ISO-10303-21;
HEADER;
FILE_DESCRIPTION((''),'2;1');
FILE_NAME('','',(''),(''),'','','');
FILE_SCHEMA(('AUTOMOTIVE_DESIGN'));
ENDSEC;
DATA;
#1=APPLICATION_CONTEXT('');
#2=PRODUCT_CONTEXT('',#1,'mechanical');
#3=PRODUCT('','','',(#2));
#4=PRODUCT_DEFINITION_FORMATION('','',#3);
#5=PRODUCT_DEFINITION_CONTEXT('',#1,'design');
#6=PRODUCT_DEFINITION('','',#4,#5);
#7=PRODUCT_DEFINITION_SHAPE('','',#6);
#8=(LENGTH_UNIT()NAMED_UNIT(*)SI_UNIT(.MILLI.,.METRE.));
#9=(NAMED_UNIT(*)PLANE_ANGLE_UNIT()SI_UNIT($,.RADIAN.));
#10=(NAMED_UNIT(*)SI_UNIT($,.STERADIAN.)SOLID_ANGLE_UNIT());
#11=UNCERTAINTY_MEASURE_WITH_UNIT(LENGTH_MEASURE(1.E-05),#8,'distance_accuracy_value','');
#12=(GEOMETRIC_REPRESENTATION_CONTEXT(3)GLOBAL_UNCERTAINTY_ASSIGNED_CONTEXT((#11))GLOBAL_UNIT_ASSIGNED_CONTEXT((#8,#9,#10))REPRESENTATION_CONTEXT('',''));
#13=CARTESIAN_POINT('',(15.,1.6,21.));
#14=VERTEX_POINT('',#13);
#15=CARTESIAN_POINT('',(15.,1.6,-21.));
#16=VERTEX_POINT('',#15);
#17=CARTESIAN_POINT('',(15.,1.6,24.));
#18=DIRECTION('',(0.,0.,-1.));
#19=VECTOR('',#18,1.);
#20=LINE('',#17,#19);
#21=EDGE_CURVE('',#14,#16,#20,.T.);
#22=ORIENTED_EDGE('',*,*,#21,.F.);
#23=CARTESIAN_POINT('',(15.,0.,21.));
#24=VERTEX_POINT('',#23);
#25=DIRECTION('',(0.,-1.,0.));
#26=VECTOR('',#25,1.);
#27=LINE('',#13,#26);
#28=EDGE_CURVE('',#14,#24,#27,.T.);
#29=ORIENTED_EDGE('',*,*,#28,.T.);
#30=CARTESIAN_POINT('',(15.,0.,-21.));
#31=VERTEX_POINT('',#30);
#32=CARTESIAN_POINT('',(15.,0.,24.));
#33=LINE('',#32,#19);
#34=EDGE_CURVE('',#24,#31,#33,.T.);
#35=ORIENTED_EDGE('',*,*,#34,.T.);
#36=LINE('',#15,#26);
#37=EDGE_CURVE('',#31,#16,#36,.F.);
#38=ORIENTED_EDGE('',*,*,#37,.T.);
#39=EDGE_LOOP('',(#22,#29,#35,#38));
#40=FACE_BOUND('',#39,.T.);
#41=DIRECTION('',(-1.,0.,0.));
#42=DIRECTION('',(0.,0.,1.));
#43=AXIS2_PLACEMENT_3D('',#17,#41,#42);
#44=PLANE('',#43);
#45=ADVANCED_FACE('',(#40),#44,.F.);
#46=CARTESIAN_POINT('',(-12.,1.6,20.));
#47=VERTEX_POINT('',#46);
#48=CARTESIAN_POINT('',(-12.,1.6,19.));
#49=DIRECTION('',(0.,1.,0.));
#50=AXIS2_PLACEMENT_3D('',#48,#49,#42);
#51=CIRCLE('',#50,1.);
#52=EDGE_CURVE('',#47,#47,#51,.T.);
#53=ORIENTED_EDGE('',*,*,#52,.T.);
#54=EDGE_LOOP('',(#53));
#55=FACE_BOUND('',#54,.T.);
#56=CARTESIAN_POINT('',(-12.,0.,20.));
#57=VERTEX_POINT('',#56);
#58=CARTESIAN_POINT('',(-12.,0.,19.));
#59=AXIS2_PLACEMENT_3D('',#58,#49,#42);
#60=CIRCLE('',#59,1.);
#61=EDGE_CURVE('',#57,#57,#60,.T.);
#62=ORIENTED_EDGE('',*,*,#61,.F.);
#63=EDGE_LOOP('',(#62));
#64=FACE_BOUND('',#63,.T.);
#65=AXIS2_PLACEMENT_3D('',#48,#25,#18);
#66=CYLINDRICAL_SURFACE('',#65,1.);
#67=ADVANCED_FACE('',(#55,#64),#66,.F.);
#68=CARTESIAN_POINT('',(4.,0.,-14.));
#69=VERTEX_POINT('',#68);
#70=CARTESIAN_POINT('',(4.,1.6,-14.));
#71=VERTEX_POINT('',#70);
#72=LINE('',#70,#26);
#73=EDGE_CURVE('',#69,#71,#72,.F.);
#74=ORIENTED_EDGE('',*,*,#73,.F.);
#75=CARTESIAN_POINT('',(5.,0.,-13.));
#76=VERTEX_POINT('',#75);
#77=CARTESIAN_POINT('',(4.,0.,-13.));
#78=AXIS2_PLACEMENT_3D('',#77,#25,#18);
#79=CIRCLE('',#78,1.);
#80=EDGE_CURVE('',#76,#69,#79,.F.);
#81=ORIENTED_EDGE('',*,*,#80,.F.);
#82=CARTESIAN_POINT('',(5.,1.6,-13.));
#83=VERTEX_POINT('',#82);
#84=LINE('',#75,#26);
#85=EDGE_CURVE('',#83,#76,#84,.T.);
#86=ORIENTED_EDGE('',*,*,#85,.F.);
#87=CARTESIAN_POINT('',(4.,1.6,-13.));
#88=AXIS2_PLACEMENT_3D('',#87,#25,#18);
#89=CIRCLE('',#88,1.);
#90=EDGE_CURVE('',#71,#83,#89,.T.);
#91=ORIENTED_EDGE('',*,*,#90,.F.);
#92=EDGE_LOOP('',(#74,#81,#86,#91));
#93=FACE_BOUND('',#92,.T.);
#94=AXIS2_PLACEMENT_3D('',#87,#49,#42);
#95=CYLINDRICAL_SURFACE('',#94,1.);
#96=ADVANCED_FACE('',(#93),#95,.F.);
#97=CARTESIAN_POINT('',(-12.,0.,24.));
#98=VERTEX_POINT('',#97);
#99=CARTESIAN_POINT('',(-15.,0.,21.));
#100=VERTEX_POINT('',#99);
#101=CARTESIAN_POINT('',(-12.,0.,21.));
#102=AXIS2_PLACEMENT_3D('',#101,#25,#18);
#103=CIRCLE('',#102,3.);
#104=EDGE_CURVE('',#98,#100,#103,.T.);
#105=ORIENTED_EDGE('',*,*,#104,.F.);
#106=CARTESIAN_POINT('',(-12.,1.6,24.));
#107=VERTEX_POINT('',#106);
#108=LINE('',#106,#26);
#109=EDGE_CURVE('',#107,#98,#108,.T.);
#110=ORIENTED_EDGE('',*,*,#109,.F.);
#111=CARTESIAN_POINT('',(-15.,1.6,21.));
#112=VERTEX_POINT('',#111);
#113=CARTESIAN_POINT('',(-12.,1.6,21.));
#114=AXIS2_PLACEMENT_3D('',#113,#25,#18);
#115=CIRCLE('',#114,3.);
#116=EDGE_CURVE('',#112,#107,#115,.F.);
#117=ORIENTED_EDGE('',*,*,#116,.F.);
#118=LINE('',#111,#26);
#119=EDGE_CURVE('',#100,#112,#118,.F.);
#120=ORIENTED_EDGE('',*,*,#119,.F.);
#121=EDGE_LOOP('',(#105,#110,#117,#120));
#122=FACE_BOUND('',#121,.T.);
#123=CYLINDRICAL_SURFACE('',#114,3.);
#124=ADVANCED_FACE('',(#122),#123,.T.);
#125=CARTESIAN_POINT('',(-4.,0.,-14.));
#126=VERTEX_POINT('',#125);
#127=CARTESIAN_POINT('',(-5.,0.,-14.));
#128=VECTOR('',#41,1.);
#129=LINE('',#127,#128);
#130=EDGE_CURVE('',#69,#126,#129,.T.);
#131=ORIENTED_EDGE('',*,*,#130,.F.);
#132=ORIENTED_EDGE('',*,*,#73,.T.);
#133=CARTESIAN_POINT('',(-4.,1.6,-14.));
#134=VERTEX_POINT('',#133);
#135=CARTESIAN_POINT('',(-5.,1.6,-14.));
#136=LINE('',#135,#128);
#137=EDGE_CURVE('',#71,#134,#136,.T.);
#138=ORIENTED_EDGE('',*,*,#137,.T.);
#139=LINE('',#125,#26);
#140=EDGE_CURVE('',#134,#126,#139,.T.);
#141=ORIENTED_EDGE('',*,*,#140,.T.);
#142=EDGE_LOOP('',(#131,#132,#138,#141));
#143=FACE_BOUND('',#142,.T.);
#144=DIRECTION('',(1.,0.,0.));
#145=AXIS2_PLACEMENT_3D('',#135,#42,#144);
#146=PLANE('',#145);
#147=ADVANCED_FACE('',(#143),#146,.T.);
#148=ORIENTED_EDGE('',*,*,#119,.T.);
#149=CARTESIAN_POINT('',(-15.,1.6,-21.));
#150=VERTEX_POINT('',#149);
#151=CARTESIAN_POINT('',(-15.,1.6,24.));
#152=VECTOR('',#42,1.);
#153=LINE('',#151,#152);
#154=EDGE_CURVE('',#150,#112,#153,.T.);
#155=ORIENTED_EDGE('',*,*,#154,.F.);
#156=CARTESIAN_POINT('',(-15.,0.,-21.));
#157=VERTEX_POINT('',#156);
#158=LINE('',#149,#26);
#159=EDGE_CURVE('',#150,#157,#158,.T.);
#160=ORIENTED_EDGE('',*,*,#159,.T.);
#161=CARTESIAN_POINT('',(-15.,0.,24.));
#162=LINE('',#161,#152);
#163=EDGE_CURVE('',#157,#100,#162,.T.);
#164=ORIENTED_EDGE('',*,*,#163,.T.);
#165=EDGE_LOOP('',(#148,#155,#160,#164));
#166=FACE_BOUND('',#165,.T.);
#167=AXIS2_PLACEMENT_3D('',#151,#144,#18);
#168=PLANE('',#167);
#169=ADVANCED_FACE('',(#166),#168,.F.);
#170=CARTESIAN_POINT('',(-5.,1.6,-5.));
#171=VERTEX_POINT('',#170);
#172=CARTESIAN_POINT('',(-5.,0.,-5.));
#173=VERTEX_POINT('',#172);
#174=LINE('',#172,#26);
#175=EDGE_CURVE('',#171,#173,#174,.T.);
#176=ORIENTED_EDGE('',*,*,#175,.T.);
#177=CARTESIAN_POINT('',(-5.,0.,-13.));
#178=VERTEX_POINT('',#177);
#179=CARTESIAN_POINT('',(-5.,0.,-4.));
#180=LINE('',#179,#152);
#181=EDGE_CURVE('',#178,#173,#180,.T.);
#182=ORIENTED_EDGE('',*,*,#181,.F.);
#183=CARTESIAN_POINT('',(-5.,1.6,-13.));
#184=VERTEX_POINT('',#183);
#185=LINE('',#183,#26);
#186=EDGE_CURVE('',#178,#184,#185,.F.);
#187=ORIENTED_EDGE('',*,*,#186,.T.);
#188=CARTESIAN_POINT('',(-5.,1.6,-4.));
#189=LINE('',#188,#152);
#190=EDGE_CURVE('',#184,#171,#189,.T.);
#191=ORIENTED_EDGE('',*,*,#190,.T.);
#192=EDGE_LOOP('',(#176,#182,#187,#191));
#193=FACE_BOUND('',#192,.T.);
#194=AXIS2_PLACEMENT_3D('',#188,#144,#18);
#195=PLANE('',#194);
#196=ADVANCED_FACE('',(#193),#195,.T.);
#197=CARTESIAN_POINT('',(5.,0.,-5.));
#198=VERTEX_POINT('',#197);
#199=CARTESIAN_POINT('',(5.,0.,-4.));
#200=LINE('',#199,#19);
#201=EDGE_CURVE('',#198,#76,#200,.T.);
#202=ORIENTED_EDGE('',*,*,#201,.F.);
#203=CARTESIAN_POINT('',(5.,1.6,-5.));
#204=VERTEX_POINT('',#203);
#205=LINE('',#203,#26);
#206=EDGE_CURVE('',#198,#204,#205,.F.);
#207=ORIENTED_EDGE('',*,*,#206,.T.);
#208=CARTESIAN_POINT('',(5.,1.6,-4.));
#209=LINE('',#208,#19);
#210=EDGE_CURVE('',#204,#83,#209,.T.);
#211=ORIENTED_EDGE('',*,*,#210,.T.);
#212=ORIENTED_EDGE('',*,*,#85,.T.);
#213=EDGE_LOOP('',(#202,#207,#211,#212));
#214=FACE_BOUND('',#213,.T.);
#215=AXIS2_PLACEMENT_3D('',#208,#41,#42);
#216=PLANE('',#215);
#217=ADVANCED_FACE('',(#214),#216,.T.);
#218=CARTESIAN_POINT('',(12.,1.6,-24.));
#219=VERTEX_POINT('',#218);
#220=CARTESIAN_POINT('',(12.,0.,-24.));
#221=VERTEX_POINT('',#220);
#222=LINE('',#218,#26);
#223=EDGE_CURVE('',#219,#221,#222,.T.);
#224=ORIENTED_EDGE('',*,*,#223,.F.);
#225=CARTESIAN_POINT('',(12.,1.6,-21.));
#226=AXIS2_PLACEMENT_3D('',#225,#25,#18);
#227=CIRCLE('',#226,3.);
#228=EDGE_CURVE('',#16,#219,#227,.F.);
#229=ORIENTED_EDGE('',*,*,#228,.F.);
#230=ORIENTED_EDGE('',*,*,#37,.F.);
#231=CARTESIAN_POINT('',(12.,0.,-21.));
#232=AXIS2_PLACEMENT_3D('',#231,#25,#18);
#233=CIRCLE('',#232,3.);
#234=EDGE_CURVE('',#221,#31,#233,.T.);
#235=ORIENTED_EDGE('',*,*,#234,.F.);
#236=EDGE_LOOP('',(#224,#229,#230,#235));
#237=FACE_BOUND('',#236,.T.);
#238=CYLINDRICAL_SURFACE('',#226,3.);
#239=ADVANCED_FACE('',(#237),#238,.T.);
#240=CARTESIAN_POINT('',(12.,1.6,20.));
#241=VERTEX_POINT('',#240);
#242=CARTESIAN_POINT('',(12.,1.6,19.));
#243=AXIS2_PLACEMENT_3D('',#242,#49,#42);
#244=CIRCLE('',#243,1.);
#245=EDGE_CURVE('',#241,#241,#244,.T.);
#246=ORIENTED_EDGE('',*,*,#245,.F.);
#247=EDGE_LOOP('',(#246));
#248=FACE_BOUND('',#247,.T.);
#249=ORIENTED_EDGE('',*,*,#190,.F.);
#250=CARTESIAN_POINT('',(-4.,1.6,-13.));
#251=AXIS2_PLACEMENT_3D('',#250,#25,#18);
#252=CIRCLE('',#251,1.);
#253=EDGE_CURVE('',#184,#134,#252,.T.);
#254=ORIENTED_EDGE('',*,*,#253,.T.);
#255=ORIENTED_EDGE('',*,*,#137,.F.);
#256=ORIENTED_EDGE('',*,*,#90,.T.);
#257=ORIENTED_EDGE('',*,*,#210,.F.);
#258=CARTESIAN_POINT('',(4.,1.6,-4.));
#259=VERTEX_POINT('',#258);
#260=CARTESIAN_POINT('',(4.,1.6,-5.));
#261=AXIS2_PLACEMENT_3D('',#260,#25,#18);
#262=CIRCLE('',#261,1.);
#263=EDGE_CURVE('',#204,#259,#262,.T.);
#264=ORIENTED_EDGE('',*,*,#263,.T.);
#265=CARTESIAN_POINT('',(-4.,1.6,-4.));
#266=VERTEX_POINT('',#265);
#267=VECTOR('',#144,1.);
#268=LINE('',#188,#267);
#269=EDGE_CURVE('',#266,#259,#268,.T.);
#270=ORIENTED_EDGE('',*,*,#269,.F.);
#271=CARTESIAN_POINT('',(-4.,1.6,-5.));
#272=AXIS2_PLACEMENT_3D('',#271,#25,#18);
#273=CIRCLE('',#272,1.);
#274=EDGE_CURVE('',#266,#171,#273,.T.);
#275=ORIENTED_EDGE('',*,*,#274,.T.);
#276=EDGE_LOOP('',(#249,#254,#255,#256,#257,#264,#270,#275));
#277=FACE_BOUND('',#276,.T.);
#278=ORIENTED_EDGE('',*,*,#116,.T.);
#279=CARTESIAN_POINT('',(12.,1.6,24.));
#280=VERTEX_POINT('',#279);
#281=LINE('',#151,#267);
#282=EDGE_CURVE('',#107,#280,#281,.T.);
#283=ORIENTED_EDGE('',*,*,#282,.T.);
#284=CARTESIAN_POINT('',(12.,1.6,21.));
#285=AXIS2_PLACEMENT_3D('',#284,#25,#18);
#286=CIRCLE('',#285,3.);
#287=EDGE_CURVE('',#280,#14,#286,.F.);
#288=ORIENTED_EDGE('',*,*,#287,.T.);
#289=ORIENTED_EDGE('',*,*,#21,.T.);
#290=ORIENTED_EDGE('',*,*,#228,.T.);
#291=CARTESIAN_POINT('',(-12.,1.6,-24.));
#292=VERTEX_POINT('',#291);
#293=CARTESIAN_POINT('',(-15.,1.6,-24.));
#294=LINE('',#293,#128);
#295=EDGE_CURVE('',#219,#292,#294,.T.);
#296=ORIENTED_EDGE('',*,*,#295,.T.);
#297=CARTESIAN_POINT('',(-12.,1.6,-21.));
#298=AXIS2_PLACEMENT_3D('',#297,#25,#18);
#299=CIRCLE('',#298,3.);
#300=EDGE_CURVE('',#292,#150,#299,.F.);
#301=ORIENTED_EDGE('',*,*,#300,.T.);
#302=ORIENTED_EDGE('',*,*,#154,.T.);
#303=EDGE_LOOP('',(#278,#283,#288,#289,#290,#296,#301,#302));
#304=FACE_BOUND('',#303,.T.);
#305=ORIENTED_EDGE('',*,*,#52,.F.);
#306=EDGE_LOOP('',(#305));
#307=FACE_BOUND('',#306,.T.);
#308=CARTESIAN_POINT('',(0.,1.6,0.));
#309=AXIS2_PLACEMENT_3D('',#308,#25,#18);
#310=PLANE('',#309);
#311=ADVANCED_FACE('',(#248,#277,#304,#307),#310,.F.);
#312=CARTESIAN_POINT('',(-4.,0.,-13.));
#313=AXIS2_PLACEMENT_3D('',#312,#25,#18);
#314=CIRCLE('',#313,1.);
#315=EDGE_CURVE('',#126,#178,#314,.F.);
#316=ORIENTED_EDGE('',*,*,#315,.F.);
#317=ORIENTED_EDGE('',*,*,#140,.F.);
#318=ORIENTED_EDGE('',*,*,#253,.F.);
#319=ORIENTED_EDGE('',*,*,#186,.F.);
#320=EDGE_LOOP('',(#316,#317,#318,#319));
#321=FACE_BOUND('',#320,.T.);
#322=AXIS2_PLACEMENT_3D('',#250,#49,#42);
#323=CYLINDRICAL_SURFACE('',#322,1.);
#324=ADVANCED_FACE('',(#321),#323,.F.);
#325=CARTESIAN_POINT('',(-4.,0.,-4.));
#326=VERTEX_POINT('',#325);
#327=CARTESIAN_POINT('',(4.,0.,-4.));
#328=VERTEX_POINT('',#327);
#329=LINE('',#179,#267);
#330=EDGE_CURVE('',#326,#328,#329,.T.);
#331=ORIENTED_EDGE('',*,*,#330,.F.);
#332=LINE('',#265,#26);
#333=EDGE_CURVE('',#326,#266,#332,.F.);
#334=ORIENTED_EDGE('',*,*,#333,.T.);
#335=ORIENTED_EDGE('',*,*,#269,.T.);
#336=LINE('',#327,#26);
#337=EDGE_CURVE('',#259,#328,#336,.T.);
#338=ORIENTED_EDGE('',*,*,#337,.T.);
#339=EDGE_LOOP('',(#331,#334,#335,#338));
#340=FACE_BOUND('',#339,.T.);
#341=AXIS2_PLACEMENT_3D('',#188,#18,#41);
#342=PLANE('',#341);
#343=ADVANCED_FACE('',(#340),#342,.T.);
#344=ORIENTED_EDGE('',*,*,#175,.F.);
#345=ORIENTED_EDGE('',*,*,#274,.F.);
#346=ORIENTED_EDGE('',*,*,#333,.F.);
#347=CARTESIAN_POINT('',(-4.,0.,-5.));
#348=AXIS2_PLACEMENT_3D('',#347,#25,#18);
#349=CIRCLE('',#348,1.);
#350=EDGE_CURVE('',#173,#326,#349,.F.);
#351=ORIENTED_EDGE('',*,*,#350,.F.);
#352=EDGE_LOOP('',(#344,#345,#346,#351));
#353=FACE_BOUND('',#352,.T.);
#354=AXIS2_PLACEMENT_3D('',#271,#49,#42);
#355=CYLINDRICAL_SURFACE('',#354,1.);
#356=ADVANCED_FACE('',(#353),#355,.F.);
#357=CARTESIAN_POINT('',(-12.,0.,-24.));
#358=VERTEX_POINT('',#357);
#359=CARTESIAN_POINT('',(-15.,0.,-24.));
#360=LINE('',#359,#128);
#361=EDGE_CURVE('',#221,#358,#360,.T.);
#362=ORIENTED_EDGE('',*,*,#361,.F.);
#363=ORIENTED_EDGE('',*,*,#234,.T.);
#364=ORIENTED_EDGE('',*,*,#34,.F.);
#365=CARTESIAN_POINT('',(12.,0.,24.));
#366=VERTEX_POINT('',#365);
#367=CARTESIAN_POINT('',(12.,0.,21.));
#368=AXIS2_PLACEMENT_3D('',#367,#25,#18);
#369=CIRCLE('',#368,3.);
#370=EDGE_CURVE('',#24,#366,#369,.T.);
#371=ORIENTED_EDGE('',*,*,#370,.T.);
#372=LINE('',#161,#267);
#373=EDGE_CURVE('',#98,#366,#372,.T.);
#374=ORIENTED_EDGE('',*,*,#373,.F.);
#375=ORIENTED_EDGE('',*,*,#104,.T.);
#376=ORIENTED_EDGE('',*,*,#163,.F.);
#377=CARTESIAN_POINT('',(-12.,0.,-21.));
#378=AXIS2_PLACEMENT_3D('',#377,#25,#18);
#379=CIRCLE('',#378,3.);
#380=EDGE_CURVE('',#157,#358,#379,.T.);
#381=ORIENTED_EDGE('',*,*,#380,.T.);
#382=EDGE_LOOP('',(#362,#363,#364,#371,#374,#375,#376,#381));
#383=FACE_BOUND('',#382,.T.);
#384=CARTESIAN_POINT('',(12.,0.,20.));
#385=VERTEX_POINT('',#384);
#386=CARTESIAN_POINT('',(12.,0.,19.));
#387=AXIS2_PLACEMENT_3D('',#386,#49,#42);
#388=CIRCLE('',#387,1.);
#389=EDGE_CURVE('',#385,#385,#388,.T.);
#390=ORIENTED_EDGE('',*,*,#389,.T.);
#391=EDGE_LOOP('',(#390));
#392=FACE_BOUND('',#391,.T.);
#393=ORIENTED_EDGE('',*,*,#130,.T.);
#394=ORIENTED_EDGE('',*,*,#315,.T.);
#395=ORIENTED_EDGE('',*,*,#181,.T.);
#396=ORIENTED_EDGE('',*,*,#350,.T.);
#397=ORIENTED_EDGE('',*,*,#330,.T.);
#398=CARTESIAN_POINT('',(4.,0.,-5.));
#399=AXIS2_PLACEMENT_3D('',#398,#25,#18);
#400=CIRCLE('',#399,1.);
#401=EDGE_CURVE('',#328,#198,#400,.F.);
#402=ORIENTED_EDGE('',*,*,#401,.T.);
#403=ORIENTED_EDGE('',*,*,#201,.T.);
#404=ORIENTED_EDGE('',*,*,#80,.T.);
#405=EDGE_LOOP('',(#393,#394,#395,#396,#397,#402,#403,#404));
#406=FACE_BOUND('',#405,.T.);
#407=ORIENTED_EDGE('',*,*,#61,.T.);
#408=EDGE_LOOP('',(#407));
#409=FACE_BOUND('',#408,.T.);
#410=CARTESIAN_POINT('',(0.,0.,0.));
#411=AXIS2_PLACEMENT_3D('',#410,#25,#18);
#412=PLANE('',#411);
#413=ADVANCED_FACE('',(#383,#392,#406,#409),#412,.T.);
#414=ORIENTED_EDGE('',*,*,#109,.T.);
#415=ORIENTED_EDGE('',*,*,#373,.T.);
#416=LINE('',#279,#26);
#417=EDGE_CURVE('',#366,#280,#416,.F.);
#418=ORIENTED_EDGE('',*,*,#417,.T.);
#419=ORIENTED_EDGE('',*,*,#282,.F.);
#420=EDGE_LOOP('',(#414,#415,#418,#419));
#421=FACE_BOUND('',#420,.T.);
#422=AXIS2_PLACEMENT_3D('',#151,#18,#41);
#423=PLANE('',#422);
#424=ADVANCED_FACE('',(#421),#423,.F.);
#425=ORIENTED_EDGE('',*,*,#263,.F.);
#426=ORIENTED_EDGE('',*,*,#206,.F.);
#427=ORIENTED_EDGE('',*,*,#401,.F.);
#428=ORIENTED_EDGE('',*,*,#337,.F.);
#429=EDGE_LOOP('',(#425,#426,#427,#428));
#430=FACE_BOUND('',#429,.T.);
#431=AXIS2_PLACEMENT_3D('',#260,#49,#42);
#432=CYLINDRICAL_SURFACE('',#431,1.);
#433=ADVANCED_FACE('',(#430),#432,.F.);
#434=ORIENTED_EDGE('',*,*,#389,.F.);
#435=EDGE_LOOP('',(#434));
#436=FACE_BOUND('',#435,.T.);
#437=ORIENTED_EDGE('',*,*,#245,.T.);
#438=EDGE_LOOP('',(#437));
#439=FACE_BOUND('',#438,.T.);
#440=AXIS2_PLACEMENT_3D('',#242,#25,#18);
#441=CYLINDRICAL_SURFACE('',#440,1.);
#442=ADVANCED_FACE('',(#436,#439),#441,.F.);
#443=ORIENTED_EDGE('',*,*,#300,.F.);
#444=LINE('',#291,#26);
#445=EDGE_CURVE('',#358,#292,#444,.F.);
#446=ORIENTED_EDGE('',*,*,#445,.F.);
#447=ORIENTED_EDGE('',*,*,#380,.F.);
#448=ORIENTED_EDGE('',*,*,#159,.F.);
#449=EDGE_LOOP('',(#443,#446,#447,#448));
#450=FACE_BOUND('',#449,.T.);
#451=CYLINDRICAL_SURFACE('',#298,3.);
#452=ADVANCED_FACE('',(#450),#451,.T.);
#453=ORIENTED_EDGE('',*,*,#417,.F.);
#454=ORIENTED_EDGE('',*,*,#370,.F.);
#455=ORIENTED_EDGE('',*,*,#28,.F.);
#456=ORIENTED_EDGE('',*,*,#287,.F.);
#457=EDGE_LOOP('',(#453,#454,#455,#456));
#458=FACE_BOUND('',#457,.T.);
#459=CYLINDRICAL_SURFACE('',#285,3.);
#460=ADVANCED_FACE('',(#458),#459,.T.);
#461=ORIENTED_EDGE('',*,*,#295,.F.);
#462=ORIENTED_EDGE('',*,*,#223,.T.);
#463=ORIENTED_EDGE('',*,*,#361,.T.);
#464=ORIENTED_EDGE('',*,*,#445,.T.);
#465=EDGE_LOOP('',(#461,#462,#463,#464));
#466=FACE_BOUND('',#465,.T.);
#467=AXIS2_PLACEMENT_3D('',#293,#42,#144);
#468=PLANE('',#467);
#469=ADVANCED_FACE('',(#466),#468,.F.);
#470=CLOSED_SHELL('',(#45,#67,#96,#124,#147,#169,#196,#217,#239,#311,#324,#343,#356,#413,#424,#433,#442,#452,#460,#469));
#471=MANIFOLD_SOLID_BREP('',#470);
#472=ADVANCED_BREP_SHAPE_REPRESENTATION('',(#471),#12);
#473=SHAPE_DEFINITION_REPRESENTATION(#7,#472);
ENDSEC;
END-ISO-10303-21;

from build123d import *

# Parameters (mm, degrees)
SKETCH_1_W      = 30
SKETCH_1_H      = 48
SKETCH_1_R      = 1
SKETCH_1_W_2    = 10
SKETCH_1_H_2    = 10
EXTRUDE_1_DEPTH = 1.6
FILLET_1_R      = 3
FILLET_2_R      = 1


with BuildPart() as part:
    # 草图1 → 凸台-拉伸1 (new body)
    with BuildSketch(Plane(origin=(0, 0, 0), x_dir=(1, 0, 0), z_dir=(0, 1, 0))):
        Rectangle(SKETCH_1_W, SKETCH_1_H)
        with Locations(Location((-12, -19, 0), (0, 0, 270))):
            Circle(SKETCH_1_R, mode=Mode.SUBTRACT)
        with Locations(Location((12, -19, 0), (0, 0, 270))):
            Circle(SKETCH_1_R, mode=Mode.SUBTRACT)
        with Locations((0, 9)):
            Rectangle(SKETCH_1_W_2, SKETCH_1_H_2, mode=Mode.SUBTRACT)
    extrude(amount=EXTRUDE_1_DEPTH)

    # 圆角1
    fillet_1_edges = [part.edges().sort_by_distance(p)[0] for p in [
        (15, 0.8, 24),
        (-15, 0.8, 24),
        (-15, 0.8, -24),
        (15, 0.8, -24),
    ]]
    fillet(fillet_1_edges, radius=FILLET_1_R)

    # 圆角2
    fillet_2_edges = [part.edges().sort_by_distance(p)[0] for p in [
        (5, 0.8, -4),
        (5, 0.8, -14),
        (-5, 0.8, -14),
        (-5, 0.8, -4),
    ]]
    fillet(fillet_2_edges, radius=FILLET_2_R)


solid = part.part
